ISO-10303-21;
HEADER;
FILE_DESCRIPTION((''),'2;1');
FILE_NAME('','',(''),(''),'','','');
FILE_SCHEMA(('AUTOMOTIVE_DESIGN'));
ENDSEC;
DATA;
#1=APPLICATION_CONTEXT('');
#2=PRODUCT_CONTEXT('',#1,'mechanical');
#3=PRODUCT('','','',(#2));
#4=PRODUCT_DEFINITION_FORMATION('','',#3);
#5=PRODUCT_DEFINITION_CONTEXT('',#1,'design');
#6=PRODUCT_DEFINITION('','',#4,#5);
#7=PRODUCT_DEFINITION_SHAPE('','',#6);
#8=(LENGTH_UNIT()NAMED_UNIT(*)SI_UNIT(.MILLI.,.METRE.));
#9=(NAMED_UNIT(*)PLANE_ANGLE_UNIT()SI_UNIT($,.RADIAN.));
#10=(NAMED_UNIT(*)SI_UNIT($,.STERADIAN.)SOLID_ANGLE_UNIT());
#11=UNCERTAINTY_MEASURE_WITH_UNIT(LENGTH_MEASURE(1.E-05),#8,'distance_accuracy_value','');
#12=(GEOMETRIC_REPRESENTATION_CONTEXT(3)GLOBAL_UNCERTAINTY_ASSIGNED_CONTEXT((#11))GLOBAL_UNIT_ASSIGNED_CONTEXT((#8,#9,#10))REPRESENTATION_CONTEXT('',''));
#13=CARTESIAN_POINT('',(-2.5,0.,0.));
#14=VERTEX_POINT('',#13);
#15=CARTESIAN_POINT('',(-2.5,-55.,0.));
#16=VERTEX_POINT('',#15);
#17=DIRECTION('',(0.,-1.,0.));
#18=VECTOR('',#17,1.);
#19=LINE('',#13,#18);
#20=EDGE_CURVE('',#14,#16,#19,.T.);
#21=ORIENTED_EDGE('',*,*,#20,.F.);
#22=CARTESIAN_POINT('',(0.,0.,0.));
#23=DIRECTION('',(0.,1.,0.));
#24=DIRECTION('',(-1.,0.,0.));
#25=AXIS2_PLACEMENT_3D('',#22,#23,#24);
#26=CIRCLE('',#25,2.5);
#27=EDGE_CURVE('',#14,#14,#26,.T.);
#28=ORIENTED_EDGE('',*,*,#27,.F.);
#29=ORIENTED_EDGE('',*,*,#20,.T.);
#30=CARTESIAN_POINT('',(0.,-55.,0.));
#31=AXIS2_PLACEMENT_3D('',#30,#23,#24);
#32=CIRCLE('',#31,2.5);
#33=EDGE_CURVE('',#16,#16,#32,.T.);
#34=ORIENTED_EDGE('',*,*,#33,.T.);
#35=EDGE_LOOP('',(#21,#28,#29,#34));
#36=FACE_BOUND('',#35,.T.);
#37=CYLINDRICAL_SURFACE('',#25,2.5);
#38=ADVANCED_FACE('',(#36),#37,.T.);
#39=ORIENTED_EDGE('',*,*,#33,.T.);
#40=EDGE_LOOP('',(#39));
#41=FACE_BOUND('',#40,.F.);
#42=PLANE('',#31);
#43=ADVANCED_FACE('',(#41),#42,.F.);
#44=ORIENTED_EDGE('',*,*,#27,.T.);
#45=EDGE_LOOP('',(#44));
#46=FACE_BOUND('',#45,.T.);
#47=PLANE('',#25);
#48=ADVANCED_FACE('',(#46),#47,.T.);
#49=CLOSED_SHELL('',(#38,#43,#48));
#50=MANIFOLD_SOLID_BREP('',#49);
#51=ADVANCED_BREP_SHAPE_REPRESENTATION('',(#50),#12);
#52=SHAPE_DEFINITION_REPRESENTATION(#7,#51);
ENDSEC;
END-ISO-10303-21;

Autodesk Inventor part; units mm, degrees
ref_plane "YZ Plane" through (0, 0, 0) normal (1, 0, 0) x (0, 1, 0)
ref_plane "XZ Plane" through (0, 0, 0) normal (0, 1, 0) x (-1, 0, 0)
ref_plane "XY Plane" through (0, 0, 0) normal (0, 0, 1) x (1, 0, 0)
sketch "Sketch1" plane through (0, 0, 0) normal (0, 1, 0) x (-1, 0, 0)
  circle A0 centre (0, 0) radius 2.5
  dimension "d0" = 5
extrude "Extrusion1" add sketch "Sketch1" against normal blind 55
thread "Thread1" size "12-24 UNC" class "2A" standard "ANSI Unified Screw Threads" full length
properties part number "M5 55mm Threaded Rod"
